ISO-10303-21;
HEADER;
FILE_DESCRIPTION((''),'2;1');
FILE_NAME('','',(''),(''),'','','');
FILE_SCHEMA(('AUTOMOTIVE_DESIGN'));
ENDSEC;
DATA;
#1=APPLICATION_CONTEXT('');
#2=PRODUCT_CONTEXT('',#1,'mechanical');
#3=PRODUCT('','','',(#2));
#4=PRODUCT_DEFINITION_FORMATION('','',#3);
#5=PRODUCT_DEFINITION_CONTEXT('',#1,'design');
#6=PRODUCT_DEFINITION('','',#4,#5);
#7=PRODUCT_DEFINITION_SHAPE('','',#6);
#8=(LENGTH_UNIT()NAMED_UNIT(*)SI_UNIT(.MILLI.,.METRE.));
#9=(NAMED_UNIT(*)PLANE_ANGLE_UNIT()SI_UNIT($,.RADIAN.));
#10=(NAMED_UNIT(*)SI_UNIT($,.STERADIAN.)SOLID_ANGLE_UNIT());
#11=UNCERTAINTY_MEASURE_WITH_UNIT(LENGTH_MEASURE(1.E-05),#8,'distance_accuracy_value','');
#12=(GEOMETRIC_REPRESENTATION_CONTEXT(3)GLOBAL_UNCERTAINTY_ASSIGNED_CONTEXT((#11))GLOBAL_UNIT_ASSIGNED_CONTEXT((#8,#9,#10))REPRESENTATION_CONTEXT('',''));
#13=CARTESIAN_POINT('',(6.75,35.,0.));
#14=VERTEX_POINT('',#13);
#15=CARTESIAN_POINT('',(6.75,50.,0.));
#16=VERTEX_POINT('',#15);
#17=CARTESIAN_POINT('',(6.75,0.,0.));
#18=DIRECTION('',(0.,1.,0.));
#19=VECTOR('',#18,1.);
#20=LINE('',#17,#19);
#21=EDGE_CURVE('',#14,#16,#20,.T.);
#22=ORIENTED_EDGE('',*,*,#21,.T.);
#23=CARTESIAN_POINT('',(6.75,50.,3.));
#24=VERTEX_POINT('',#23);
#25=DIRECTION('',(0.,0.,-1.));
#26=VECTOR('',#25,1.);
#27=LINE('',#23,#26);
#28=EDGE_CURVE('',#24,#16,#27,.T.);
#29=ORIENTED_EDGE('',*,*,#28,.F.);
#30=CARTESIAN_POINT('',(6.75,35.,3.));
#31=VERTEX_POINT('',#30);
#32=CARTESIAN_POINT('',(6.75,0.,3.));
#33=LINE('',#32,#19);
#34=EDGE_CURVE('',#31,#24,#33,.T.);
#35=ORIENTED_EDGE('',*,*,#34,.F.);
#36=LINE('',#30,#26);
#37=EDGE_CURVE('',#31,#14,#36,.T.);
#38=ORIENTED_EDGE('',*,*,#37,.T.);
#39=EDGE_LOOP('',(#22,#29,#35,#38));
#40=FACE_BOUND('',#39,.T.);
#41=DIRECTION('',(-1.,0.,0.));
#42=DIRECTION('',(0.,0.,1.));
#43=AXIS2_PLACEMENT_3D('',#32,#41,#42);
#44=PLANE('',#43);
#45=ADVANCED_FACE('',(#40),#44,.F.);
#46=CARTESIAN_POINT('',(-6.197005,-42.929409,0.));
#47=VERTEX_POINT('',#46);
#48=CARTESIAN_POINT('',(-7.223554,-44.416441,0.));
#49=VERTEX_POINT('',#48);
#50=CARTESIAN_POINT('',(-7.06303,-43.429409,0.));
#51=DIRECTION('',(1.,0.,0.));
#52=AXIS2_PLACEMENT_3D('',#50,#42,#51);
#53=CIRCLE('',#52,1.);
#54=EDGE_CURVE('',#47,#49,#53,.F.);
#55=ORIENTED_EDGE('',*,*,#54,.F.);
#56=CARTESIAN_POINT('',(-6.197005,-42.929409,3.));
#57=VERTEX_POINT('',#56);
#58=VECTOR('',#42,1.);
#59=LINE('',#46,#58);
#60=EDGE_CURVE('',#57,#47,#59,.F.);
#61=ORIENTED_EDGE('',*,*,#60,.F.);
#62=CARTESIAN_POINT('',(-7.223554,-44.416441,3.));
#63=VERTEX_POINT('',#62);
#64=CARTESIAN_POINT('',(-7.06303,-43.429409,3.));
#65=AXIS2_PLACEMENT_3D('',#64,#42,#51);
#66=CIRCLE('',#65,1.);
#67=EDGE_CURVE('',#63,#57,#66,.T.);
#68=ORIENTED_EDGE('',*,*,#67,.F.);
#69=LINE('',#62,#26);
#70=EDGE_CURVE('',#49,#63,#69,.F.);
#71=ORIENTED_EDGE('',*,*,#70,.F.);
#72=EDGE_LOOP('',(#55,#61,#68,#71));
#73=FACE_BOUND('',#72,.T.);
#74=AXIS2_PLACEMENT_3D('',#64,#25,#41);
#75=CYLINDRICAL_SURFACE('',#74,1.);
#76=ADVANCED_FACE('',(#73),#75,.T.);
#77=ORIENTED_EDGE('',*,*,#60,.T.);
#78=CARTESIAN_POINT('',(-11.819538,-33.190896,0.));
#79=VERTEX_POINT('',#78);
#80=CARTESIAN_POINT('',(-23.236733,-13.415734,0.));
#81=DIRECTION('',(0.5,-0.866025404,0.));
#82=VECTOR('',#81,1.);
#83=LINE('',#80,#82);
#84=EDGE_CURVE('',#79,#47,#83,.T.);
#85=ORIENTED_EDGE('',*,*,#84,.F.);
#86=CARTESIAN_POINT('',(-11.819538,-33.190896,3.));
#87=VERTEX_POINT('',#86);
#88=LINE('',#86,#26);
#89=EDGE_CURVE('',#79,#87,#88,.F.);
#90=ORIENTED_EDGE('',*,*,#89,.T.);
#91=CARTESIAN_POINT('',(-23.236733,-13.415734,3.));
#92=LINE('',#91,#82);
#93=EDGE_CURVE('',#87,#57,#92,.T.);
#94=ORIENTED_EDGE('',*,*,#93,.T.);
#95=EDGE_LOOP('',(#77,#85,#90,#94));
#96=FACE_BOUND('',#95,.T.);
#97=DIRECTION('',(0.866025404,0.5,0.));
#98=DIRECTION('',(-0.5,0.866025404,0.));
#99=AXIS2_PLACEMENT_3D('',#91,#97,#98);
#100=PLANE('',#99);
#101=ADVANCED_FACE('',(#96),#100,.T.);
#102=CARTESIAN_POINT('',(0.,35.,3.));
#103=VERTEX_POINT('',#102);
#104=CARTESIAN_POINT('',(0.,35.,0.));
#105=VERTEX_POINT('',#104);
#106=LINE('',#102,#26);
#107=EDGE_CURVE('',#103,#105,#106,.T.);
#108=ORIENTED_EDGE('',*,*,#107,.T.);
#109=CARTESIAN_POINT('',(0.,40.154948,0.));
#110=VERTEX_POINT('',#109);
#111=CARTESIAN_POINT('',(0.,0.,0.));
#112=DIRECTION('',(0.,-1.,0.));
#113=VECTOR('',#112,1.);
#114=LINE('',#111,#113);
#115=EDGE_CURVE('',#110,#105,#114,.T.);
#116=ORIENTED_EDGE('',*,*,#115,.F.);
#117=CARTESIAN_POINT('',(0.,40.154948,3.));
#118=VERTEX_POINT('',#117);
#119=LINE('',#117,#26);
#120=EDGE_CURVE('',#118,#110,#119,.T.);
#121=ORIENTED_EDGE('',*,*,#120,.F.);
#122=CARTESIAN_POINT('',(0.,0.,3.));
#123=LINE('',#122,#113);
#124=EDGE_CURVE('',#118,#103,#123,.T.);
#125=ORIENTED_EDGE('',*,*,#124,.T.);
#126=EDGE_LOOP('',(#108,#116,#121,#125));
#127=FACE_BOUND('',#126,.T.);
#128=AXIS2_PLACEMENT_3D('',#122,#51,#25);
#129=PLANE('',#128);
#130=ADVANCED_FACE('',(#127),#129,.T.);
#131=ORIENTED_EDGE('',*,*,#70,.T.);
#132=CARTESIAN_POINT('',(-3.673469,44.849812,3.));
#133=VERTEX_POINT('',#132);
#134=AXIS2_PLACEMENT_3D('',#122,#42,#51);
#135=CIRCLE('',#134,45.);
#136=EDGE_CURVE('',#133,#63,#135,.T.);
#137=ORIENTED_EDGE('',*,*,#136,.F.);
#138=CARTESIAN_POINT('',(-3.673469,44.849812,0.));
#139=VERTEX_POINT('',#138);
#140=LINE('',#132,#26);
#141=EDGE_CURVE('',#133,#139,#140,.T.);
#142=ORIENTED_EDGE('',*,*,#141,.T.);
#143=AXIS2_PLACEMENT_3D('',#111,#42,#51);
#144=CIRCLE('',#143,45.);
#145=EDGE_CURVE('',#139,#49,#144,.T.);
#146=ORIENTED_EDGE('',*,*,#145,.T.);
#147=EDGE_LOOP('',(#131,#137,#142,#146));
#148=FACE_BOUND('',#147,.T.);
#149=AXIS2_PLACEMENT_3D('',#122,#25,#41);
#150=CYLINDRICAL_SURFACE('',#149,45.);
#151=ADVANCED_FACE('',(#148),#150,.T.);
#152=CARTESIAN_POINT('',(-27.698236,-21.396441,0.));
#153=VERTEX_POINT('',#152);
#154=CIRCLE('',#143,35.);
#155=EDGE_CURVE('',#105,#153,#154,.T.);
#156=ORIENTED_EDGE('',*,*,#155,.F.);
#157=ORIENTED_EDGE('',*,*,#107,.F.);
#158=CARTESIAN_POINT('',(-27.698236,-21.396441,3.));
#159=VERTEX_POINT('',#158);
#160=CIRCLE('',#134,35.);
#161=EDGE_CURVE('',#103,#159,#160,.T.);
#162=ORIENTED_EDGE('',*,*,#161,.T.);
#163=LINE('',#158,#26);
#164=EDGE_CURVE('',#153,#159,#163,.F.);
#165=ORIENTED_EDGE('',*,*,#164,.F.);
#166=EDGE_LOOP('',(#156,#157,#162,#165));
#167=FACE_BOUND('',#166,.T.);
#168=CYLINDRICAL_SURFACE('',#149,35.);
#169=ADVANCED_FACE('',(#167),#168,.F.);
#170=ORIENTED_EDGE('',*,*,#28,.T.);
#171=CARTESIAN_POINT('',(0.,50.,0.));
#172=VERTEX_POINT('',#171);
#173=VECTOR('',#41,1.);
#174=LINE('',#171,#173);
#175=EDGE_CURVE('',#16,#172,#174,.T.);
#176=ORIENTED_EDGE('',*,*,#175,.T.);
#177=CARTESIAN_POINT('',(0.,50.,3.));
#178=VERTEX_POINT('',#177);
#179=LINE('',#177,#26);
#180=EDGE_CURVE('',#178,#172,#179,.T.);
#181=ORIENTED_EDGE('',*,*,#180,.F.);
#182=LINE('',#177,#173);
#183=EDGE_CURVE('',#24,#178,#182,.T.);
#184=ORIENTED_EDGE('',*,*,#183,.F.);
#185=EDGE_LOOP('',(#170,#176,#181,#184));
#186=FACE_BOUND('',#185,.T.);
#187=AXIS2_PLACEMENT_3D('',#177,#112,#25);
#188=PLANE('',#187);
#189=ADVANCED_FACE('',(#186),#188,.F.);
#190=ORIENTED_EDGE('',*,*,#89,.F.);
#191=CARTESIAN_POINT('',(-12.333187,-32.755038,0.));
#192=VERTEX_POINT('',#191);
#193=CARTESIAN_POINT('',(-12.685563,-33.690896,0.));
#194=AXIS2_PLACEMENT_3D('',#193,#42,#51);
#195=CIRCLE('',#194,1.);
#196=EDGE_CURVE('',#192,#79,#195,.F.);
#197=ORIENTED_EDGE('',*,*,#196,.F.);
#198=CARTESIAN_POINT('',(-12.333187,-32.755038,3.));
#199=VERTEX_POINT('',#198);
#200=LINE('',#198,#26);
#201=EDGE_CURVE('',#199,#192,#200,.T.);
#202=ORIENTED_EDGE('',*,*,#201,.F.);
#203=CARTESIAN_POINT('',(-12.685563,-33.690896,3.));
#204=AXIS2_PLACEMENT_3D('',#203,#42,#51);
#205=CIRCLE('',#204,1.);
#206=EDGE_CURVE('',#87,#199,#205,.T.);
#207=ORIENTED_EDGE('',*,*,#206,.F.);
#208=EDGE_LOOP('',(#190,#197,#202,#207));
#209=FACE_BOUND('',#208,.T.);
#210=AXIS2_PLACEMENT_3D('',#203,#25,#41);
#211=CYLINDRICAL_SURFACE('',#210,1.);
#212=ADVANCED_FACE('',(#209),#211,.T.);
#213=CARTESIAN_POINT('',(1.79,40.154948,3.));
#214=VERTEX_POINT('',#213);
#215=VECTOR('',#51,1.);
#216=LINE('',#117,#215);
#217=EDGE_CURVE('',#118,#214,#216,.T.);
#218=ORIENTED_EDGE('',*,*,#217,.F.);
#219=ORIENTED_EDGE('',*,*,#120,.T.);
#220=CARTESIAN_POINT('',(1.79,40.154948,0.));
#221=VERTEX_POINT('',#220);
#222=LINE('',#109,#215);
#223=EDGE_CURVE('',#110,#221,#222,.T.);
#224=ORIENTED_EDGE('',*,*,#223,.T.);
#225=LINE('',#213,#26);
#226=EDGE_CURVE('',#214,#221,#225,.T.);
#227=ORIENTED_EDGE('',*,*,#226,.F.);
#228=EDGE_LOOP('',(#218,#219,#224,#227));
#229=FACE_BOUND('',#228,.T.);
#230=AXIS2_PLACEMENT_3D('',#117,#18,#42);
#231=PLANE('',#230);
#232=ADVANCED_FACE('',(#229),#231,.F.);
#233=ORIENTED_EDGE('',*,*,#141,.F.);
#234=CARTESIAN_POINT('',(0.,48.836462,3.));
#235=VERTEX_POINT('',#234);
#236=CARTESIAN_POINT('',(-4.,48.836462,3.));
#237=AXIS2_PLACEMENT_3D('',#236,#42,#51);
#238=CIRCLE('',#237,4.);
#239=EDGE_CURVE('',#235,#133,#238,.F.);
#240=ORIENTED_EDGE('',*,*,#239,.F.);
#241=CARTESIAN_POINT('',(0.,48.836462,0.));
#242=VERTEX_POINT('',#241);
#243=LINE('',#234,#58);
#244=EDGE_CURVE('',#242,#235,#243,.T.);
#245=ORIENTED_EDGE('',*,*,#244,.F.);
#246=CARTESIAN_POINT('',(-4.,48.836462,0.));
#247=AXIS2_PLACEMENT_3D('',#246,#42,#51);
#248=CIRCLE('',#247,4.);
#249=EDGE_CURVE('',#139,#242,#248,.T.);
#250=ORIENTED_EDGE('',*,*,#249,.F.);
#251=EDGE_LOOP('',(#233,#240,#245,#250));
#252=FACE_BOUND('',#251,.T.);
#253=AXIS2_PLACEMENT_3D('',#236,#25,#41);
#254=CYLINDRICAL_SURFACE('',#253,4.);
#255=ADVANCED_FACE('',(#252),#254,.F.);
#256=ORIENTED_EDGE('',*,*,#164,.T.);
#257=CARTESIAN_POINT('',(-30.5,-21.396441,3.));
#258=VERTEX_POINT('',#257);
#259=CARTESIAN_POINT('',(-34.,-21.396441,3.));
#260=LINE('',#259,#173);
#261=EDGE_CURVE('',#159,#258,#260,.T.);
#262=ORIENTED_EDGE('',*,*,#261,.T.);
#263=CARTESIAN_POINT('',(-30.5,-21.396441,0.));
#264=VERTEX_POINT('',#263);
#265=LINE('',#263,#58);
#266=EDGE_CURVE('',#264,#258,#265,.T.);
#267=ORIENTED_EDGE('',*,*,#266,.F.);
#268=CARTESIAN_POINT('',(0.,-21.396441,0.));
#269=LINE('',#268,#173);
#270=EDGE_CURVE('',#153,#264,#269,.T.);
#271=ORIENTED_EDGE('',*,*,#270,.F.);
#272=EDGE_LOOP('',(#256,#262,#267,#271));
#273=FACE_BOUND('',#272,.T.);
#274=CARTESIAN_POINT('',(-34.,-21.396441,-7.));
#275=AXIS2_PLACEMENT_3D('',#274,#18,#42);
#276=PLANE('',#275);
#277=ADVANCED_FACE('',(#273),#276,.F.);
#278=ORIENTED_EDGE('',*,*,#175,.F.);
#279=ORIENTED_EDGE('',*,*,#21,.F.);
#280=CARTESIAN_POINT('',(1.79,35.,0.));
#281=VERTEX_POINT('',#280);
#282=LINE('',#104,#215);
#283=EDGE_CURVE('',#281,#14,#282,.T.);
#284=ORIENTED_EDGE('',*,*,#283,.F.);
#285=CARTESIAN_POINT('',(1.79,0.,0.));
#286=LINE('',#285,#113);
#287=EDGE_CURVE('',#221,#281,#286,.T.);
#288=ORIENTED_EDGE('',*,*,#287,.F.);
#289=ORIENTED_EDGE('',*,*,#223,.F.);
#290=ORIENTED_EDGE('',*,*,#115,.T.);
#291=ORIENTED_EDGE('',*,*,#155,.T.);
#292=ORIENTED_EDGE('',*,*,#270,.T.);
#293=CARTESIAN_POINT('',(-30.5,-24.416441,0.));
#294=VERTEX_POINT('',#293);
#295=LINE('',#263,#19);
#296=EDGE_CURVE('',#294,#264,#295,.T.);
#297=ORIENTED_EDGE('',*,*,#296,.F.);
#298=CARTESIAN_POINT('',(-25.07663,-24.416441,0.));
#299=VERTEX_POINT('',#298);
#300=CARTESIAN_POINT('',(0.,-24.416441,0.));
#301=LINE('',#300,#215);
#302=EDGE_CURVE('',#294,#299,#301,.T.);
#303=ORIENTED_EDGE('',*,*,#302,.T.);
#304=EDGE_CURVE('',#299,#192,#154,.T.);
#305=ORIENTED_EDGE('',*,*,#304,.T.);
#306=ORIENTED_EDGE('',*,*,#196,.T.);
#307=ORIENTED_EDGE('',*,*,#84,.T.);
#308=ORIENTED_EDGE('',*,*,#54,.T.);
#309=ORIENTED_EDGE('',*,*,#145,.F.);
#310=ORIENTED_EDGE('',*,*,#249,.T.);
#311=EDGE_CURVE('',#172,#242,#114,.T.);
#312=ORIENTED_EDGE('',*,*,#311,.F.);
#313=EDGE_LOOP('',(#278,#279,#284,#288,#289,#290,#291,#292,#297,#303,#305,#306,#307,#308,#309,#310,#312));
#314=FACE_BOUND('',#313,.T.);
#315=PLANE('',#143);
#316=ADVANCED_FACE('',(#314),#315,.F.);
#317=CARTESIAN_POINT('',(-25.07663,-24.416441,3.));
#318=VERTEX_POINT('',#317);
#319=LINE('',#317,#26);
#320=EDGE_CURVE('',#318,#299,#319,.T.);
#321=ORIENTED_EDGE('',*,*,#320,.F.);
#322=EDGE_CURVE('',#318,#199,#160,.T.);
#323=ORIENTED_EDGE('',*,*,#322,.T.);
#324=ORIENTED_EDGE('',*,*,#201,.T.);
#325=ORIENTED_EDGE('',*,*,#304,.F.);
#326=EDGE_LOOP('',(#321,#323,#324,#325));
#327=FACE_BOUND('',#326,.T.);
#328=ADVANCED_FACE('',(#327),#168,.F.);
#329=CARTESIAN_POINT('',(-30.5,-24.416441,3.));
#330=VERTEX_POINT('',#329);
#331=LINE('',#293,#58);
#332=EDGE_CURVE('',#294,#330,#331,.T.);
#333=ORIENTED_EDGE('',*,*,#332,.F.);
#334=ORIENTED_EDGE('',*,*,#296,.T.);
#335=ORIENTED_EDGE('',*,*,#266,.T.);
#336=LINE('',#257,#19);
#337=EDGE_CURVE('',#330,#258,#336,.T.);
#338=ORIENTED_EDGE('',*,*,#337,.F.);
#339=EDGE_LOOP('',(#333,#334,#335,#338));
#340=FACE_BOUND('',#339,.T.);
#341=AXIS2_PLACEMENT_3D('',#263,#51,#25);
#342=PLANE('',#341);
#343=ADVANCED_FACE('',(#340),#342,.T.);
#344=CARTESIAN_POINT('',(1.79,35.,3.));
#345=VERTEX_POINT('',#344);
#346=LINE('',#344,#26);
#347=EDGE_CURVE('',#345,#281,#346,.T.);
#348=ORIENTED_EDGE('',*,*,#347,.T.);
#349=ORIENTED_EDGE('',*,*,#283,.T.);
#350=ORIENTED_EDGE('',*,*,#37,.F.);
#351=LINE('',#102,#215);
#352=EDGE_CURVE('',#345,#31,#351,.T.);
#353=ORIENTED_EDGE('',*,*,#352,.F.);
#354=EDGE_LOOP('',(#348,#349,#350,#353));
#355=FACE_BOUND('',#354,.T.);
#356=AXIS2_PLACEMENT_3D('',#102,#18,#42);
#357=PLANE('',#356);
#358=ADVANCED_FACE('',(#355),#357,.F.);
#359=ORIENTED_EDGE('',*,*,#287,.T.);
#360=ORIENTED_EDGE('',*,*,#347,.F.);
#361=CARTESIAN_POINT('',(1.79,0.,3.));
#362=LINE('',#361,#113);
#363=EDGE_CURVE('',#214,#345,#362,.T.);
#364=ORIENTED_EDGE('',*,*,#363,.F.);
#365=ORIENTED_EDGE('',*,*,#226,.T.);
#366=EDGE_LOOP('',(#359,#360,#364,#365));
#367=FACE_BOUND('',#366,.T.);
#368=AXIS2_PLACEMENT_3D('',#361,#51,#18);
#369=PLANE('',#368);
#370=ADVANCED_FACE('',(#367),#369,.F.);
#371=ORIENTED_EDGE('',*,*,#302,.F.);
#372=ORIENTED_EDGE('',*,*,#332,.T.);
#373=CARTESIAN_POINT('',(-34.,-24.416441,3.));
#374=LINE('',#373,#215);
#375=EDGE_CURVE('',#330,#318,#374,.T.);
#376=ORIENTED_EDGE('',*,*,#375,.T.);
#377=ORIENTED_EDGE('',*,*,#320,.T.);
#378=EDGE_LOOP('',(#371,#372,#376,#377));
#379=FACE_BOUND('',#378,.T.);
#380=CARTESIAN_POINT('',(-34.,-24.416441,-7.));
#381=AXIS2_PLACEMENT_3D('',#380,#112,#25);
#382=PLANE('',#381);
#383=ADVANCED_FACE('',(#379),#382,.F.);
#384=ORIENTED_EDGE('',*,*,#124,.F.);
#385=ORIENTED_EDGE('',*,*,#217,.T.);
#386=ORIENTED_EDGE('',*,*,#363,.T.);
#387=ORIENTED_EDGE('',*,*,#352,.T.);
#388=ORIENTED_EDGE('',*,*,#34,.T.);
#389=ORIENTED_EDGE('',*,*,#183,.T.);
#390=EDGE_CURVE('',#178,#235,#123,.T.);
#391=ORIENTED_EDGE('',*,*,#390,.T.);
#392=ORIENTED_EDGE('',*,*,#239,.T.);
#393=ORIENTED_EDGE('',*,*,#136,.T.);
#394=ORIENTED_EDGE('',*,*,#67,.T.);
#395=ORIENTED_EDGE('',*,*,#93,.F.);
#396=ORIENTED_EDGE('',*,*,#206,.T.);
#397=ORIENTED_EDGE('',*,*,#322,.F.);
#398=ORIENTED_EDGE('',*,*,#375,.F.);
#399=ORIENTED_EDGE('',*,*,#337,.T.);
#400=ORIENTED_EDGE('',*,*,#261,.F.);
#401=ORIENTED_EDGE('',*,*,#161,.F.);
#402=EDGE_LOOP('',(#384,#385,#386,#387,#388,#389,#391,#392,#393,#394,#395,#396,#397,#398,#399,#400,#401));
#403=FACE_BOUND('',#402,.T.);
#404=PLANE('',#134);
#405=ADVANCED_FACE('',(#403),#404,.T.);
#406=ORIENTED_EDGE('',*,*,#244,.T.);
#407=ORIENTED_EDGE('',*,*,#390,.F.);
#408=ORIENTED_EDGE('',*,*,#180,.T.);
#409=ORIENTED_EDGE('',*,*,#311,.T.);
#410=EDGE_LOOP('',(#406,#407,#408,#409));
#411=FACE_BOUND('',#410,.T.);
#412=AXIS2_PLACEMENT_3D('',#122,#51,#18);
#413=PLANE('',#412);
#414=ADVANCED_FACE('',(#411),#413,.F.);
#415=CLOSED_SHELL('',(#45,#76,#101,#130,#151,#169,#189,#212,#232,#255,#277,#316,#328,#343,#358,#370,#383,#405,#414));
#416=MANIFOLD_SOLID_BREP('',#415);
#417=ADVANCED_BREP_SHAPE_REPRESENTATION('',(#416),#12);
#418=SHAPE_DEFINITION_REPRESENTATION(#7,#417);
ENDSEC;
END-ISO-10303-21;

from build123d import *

# Parameters (mm, degrees)
BOSS_EXTRUDE1_DEPTH = 3
FILLET1_R           = 4
FILLET2_R           = 1
FILLET3_R           = 1
SKETCH2_W           = 68.766076313
SKETCH2_H           = 3.02
CUT_EXTRUDE3_DEPTH  = 10
SKETCH3_W           = 3.5
SKETCH3_H           = 3.02
BOSS_EXTRUDE2_DEPTH = 3


with BuildPart() as part:
    # Sketch1 → Boss-Extrude1 (new body)
    with BuildSketch(Plane.XY):
        with BuildLine():
            Line((0, 35), (0, 40.154947939))
            Line((0, 40.154947939), (1.79, 40.154947939))
            Line((1.79, 40.154947939), (1.79, 35))
            Line((1.79, 35), (6.75, 35))
            Line((6.75, 35), (6.75, 50))
            Line((6.75, 50), (0, 50))
            Line((0, 50), (0, 45))
            ThreePointArc((0, 45), (-44.925333381, 2.591219899), (-5.173840791, -44.701581308))
            Line((-5.173840791, -44.701581308), (-11.99982612, -32.878627908))
            ThreePointArc((-11.99982612, -32.878627908), (-34.465576861, 6.092947695), (0, 35))
        make_face()
    extrude(amount=BOSS_EXTRUDE1_DEPTH)

    # Fillet1
    fillet1_edges = [part.edges().sort_by_distance(p)[0] for p in [
        (0, 45, 1.5),
    ]]
    fillet(fillet1_edges, radius=FILLET1_R)

    # Fillet2
    fillet2_edges = [part.edges().sort_by_distance(p)[0] for p in [
        (-5.173840791, -44.701581308, 1.5),
    ]]
    fillet(fillet2_edges, radius=FILLET2_R)

    # Fillet3
    fillet3_edges = [part.edges().sort_by_distance(p)[0] for p in [
        (-11.99982612, -32.878627908, 1.5),
    ]]
    fillet(fillet3_edges, radius=FILLET3_R)

    # Sketch2 → Cut-Extrude3 (cut)
    with BuildSketch(Plane.XY.offset(3)):
        with Locations((0.383038156, -22.906441492)):
            Rectangle(SKETCH2_W, SKETCH2_H)
    extrude(amount=-CUT_EXTRUDE3_DEPTH, mode=Mode.SUBTRACT)

    # Sketch3 → Boss-Extrude2 (add)
    with BuildSketch(Plane.XY.offset(3)):
        with Locations((-32.25, -22.906441492)):
            Rectangle(SKETCH3_W, SKETCH3_H)
    extrude(amount=-BOSS_EXTRUDE2_DEPTH)


solid = part.part
